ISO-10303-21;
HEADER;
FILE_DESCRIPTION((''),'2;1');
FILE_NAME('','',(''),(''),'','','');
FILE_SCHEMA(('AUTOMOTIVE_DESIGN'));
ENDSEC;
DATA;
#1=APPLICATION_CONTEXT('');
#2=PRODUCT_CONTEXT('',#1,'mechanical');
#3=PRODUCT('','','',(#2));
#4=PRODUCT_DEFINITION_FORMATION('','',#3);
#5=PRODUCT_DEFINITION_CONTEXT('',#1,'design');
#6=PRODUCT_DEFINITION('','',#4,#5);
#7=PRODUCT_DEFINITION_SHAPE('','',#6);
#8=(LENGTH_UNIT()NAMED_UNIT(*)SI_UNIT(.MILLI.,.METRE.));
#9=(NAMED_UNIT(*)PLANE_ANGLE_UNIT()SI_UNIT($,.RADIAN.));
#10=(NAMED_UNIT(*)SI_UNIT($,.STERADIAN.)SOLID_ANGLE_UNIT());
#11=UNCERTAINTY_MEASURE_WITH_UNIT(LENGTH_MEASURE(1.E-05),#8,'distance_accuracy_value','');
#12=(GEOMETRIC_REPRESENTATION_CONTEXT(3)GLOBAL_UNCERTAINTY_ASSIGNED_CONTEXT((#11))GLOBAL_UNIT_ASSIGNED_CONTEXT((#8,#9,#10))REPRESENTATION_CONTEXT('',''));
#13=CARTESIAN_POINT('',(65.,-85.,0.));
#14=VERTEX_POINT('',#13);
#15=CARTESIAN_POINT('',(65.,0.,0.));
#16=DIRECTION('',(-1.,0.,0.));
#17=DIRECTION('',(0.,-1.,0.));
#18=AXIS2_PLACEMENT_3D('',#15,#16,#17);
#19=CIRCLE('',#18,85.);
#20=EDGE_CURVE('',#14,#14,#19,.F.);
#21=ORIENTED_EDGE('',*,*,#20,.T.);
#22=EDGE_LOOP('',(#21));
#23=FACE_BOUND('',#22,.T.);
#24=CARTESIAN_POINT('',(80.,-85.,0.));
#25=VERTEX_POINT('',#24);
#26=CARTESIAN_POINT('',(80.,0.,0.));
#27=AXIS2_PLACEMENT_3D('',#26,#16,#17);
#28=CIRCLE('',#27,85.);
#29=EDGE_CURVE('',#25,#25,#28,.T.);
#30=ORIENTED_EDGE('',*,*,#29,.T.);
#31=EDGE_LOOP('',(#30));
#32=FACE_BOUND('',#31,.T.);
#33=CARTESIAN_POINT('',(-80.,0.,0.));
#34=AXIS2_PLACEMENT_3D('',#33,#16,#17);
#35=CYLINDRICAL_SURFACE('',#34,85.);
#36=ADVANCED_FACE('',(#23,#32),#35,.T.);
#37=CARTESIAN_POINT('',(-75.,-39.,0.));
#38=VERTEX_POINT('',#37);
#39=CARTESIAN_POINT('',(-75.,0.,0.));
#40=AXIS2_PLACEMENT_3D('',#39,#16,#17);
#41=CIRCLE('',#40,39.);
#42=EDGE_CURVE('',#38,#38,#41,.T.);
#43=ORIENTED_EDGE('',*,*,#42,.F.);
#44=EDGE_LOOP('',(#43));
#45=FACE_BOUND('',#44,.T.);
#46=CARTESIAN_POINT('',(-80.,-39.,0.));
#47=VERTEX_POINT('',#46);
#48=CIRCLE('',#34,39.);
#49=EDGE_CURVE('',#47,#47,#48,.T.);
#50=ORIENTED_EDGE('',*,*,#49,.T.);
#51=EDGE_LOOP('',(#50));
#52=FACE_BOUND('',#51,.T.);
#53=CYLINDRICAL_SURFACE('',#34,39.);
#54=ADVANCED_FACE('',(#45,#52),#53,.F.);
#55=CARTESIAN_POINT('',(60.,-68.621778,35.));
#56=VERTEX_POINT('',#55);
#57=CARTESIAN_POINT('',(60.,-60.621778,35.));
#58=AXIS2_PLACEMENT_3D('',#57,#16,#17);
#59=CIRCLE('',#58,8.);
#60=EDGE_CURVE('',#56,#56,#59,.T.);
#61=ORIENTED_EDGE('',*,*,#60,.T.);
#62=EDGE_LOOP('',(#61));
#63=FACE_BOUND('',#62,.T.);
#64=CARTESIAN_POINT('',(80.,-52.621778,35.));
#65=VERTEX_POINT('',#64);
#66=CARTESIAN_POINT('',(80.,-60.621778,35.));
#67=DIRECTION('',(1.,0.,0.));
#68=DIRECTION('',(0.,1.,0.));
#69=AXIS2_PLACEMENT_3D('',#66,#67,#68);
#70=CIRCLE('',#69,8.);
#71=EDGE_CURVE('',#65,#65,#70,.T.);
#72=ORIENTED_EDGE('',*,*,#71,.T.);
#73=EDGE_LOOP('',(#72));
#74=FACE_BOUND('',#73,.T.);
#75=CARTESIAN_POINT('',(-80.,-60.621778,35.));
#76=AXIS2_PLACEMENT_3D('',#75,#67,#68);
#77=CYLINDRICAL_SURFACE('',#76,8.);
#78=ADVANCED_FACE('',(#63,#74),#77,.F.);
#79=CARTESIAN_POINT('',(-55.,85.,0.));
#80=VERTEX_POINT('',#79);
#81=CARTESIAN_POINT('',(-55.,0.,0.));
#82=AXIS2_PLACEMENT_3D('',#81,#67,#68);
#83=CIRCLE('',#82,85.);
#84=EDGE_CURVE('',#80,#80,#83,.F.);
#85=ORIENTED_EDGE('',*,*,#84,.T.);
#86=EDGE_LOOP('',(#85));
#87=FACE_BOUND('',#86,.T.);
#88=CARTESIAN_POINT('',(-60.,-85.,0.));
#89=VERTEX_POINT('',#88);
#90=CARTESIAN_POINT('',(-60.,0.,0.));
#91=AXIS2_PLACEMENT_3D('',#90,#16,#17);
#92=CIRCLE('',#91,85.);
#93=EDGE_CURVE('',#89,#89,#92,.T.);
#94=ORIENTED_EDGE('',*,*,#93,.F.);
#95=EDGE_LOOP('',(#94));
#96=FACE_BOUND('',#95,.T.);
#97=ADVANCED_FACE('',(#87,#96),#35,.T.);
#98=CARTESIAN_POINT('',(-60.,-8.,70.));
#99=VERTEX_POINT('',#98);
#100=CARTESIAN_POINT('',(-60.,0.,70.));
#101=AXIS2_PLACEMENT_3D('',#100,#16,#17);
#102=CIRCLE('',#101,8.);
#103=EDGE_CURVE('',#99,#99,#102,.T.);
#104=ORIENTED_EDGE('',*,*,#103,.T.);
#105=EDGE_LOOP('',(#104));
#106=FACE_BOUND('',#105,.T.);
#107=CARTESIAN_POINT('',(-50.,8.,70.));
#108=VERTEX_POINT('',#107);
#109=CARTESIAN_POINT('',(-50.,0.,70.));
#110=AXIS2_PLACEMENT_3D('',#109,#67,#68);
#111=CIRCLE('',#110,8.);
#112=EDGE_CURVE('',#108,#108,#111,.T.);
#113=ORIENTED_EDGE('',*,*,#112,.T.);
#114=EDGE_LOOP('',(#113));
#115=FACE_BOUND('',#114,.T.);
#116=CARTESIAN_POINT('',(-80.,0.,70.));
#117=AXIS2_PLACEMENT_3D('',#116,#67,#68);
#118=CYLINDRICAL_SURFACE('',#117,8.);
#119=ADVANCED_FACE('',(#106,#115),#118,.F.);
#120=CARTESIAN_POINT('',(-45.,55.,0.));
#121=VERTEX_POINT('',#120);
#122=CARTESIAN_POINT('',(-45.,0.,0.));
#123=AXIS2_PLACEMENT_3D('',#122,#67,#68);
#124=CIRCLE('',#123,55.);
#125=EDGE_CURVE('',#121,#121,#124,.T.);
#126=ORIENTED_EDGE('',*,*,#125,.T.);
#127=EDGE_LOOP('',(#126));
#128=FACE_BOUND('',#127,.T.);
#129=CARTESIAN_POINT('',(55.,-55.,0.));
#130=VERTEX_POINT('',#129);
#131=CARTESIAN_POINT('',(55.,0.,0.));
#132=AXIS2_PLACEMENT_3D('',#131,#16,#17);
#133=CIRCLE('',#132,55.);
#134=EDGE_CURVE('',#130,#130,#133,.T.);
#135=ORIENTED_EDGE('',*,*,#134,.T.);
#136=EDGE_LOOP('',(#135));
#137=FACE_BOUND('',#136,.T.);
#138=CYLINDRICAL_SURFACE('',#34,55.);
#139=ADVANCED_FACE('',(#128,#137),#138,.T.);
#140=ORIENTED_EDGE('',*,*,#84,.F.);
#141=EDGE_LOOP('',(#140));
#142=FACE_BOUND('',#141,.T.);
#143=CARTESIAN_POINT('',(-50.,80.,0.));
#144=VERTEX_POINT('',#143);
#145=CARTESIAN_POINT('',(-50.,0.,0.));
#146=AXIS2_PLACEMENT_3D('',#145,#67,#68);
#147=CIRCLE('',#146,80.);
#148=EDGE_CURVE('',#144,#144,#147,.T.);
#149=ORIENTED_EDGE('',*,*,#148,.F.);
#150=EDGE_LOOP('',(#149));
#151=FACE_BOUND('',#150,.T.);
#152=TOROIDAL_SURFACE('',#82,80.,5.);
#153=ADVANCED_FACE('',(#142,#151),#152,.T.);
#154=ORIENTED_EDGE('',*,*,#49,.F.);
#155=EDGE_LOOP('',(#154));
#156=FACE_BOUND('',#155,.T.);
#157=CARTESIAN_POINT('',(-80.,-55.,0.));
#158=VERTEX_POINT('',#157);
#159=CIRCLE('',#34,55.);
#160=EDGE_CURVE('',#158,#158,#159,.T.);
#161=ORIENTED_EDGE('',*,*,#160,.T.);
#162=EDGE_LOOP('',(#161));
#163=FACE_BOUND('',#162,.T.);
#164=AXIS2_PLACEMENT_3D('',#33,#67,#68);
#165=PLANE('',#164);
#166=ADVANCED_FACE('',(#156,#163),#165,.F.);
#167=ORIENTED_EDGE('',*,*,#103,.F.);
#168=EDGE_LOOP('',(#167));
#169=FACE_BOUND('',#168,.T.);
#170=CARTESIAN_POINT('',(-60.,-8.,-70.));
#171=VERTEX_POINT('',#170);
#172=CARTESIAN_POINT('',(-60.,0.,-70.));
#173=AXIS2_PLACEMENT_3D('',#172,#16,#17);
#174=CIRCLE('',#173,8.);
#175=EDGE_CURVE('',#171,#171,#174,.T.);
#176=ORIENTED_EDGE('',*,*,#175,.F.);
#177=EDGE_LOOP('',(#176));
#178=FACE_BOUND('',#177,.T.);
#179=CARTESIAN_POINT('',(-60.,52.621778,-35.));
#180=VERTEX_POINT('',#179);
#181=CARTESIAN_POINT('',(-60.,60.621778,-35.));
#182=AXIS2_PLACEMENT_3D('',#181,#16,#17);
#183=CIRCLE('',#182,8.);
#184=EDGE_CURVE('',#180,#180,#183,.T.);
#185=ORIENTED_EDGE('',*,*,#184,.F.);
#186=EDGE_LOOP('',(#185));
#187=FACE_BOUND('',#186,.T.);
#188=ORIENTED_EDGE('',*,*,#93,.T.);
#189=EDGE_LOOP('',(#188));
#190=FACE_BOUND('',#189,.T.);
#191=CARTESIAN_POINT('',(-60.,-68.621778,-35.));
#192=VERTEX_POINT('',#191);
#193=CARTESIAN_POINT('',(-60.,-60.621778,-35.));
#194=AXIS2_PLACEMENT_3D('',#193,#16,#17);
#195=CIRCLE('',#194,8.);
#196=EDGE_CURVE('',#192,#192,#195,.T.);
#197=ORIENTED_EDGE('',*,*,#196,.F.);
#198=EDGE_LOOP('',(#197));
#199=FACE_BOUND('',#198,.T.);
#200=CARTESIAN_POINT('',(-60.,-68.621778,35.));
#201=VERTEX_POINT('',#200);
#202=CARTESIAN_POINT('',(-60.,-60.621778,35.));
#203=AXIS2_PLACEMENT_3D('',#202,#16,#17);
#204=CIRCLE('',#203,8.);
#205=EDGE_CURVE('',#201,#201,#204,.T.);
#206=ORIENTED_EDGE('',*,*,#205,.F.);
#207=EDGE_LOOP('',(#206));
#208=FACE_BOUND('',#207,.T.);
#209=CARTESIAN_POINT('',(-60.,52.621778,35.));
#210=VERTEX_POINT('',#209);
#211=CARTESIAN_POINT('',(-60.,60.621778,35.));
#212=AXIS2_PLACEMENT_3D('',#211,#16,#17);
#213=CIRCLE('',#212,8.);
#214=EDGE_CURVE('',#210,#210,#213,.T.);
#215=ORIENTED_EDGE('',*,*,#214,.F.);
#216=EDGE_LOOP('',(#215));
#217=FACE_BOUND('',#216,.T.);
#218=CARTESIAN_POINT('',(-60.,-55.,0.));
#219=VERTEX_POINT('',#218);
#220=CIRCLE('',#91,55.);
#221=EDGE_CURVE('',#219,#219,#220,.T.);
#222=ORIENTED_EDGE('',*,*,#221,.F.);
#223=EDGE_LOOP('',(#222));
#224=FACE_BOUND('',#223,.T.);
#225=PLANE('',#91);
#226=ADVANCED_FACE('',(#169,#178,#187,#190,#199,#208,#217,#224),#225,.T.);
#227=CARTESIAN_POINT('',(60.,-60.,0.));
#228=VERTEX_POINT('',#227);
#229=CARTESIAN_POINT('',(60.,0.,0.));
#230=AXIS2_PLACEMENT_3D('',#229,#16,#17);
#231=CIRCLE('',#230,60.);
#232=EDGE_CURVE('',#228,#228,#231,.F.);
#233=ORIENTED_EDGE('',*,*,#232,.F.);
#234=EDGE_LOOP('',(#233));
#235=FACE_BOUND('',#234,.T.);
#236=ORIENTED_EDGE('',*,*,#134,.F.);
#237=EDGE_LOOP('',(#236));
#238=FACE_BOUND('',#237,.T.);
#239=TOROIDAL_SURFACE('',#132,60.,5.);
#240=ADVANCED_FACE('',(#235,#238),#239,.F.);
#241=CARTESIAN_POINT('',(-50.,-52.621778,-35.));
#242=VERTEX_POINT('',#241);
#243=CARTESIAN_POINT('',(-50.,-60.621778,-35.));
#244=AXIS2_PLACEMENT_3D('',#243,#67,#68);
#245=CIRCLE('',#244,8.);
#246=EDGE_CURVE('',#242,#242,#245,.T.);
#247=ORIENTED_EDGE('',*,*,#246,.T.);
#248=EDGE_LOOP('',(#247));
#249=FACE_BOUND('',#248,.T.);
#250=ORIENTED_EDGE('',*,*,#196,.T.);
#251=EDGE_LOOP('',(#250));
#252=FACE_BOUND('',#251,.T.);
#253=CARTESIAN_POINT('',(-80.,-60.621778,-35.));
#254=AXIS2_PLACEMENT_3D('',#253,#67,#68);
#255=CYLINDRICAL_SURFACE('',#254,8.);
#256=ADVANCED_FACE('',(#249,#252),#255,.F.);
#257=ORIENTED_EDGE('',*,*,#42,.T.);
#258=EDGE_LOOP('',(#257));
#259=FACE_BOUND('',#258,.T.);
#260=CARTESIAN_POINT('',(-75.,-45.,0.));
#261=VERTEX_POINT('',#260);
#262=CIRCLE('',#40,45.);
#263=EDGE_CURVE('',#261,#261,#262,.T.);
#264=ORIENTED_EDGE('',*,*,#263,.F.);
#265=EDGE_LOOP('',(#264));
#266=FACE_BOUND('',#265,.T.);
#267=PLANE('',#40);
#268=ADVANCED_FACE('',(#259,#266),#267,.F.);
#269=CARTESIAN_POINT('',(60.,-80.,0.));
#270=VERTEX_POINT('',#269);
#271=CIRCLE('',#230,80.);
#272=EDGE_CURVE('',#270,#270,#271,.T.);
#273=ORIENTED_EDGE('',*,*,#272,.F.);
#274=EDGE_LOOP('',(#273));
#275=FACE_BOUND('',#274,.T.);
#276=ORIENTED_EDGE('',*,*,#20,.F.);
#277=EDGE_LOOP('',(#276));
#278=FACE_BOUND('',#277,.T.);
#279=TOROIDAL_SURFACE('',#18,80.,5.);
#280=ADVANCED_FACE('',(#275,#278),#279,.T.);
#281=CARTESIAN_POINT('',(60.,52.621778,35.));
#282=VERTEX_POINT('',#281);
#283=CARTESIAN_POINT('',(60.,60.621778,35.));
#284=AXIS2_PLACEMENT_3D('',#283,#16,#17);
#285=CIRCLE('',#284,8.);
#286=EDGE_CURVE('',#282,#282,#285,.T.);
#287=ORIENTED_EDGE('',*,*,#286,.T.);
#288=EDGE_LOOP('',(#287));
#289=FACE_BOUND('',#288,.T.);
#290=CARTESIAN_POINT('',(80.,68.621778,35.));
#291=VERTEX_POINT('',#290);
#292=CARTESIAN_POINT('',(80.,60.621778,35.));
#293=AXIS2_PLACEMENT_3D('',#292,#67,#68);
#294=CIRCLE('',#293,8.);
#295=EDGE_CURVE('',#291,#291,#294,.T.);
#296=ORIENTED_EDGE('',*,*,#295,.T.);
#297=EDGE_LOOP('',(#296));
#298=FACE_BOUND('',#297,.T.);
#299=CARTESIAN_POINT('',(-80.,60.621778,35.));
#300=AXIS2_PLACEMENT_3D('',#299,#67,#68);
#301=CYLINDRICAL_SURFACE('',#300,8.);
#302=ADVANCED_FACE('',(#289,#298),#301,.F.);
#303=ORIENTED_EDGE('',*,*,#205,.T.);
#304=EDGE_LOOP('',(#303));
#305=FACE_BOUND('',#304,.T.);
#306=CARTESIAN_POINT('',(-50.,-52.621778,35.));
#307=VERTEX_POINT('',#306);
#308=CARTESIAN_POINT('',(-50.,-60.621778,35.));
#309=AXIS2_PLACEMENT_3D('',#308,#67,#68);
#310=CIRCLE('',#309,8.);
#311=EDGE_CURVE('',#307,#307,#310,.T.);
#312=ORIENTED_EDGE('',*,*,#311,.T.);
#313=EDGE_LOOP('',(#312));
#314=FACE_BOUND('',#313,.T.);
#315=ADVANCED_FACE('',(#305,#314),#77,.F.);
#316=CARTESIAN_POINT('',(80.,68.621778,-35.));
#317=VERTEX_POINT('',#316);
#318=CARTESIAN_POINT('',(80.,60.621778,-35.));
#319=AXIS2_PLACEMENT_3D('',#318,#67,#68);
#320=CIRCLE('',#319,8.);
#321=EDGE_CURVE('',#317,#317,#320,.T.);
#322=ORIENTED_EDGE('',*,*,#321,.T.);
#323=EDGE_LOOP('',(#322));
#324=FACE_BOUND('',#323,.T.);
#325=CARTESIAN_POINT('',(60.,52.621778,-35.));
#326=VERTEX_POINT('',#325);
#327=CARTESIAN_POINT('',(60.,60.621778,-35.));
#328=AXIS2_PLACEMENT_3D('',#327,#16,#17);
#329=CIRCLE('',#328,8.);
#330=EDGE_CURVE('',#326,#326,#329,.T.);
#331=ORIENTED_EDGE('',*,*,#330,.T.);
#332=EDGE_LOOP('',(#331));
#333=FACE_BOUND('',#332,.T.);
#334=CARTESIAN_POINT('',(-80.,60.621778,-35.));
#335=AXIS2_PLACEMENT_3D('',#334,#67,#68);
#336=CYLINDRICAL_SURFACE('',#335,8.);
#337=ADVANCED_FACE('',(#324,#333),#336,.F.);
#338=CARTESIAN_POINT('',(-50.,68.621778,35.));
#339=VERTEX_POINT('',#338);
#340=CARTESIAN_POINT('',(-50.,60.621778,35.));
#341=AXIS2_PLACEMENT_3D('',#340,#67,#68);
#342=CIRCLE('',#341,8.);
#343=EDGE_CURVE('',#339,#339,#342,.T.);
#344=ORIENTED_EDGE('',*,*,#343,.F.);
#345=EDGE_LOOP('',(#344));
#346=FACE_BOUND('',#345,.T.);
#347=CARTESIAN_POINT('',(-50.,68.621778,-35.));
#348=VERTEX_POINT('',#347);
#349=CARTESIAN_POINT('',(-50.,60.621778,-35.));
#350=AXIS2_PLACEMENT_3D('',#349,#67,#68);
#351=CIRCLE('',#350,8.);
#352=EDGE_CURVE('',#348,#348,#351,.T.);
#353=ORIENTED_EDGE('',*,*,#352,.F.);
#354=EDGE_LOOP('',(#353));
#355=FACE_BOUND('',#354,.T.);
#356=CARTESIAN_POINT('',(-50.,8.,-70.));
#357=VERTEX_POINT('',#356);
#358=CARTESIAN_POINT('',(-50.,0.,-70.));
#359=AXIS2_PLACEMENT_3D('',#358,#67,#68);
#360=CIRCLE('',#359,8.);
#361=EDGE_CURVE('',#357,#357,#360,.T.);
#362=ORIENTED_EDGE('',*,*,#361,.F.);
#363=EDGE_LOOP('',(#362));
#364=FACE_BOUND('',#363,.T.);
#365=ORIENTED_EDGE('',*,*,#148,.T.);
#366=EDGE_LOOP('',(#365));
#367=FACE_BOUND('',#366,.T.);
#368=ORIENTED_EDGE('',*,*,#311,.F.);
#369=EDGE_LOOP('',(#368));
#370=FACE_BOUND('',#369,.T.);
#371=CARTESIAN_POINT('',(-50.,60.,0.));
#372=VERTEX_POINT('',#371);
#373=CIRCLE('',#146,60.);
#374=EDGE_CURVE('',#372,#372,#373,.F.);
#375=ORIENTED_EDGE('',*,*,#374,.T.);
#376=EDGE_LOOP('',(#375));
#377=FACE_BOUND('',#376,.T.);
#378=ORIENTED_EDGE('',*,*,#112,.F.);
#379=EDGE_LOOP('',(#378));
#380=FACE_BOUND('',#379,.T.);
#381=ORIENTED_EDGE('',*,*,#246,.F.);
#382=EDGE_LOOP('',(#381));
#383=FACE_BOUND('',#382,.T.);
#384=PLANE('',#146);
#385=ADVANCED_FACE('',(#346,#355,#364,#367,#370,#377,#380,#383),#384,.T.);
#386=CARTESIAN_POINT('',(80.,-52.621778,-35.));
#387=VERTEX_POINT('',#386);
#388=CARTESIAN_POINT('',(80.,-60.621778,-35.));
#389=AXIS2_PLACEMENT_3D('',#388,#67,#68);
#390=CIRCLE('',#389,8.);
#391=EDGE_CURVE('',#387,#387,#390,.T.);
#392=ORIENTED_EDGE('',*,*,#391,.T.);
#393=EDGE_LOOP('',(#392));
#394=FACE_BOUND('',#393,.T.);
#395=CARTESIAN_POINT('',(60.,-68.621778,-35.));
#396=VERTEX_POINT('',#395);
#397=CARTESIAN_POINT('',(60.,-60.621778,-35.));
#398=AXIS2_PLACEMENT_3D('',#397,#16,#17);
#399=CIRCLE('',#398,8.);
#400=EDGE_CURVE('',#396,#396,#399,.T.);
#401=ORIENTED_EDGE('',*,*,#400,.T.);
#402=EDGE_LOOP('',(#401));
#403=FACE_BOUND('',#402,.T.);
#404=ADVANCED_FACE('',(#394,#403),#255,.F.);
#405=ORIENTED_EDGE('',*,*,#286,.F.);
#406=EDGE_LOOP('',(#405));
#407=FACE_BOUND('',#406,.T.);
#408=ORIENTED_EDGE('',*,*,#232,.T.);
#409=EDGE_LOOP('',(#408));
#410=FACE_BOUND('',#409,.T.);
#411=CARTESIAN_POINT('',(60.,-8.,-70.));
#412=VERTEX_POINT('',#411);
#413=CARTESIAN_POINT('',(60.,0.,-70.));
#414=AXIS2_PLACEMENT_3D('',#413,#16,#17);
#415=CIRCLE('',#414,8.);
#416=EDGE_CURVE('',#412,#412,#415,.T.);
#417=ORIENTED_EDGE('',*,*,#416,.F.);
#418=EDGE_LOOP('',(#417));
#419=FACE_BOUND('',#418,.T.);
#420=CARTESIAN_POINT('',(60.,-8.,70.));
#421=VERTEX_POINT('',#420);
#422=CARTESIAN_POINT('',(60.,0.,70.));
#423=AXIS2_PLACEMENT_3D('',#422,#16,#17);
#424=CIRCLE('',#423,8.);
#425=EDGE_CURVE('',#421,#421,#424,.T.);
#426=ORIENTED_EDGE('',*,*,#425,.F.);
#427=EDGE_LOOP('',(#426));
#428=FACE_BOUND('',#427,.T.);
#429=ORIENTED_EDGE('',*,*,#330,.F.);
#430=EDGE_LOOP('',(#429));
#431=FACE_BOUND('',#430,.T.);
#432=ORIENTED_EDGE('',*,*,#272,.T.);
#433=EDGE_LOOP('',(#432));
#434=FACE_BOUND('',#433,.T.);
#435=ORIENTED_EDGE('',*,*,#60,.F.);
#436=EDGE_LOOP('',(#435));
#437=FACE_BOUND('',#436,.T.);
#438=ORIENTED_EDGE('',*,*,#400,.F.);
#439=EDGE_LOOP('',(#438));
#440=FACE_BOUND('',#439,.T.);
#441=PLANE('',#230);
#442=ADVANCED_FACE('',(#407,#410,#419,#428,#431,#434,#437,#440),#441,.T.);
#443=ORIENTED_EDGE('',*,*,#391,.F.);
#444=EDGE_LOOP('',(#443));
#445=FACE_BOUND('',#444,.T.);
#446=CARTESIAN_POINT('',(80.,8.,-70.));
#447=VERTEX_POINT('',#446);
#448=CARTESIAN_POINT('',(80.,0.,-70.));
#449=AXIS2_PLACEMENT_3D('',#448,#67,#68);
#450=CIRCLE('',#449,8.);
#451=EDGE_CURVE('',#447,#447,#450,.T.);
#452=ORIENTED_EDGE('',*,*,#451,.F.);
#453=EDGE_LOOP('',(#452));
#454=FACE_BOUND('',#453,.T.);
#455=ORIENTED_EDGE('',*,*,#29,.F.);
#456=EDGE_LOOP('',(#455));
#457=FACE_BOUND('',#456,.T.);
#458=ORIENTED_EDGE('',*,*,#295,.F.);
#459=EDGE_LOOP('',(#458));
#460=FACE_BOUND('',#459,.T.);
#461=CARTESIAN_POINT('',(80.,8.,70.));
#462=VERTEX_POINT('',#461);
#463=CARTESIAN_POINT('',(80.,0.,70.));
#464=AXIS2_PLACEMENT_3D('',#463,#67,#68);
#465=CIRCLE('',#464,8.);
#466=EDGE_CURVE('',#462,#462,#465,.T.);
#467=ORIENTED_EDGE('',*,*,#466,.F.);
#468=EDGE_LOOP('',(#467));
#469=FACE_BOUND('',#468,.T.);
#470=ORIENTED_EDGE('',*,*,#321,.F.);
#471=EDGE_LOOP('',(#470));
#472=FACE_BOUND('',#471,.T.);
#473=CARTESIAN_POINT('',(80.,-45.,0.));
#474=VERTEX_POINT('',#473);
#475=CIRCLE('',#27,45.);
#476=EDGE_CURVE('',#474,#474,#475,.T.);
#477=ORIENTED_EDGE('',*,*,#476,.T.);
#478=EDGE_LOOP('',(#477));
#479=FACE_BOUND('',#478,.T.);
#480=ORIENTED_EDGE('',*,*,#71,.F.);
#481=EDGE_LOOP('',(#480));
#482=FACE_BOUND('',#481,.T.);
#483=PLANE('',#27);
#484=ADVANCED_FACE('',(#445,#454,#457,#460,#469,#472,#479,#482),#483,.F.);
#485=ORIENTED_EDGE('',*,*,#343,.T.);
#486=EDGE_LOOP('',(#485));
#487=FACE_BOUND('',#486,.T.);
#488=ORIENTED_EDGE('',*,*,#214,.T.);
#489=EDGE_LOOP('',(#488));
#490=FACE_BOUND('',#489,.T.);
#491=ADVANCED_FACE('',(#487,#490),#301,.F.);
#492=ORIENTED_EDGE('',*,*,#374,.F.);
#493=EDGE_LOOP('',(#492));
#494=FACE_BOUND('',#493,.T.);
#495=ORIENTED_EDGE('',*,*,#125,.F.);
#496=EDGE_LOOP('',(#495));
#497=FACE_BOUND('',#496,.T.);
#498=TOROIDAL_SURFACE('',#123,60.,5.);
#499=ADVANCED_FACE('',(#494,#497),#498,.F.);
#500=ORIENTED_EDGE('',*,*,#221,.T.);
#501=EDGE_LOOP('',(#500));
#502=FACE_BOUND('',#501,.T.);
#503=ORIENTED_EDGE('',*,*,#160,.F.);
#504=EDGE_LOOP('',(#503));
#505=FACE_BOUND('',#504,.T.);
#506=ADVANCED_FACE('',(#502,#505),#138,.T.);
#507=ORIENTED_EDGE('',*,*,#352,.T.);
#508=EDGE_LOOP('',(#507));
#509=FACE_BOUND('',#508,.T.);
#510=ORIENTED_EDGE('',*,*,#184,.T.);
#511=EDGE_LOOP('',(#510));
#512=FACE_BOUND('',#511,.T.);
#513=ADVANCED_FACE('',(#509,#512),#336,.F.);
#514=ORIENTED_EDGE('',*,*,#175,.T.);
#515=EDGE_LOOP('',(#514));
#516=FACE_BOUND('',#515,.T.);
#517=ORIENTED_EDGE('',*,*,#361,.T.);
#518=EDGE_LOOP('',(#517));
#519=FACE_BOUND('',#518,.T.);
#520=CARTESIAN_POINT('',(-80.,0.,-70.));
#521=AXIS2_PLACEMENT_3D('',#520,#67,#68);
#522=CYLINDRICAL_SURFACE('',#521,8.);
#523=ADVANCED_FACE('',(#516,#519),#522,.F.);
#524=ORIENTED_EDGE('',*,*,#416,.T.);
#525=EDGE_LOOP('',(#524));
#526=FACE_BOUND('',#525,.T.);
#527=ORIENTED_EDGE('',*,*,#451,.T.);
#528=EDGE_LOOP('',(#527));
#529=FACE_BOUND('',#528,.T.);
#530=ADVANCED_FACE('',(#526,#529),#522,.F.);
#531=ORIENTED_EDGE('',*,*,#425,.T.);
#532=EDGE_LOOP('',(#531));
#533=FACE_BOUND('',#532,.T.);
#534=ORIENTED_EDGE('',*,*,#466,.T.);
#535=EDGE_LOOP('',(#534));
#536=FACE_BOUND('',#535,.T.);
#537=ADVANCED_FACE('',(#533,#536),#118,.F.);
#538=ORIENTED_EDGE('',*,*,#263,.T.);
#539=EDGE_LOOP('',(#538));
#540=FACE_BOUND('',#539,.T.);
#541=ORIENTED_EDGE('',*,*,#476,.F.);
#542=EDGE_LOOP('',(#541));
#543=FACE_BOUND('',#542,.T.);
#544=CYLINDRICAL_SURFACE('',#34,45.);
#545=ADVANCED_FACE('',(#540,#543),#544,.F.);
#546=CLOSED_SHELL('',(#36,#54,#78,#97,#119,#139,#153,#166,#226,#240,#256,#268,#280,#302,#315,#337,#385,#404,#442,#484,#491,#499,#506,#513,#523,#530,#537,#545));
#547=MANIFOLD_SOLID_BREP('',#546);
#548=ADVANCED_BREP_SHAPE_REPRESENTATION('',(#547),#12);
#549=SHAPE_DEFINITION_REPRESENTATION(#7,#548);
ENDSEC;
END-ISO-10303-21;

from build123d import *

# Parameters (mm, degrees)
FILLET1_R               = 5
CUT_EXTRUDE1_DEPTH      = 178.059312144
CUT_EXTRUDE1_DEPTH_BACK = 178.059312144
SKETCH2_R               = 8


with BuildPart() as part:
    # Sketch1 → Revolve1 (revolve)
    with BuildSketch(Plane.XY, mode=Mode.PRIVATE) as revolve1_sk:
        Polygon((-80, 55), (-80, 50), (-80, 39), (-75, 39), (-75, 45), (80, 45), (80, 85), (60, 85), (60, 55), (-50, 55), (-50, 85), (-60, 85), (-60, 55), align=None)
    revolve(revolve1_sk.sketch.rotate(Axis((-80, 0, 0), (1, 0, 0)), 180), axis=Axis((-80, 0, 0), (1, 0, 0)))

    # Fillet1
    fillet1_edges = [part.edges().sort_by_distance(p)[0] for p in [
        (-50, 85, 0),
        (-50, 55, 0),
        (60, 55, 0),
        (60, 85, 0),
    ]]
    fillet(fillet1_edges, radius=FILLET1_R)

    # Sketch2 → Cut-Extrude1 (cut, two sides: drawn at the far end of the back side and taken through both)
    with BuildSketch(Plane(origin=(-50, 0, 0), x_dir=(0, 0, -1), z_dir=(1, 0, 0)).offset(-CUT_EXTRUDE1_DEPTH_BACK)):
        with Locations(Location((70, 0, 0), (0, 0, 90))):
            Circle(SKETCH2_R)
        with Locations(Location((35, -60.621778265, 0), (0, 0, 90))):
            Circle(SKETCH2_R)
        with Locations(Location((-35, -60.621778265, 0), (0, 0, 90))):
            Circle(SKETCH2_R)
        with Locations(Location((-70, 0, 0), (0, 0, 90))):
            Circle(SKETCH2_R)
        with Locations(Location((-35, 60.621778265, 0), (0, 0, 90))):
            Circle(SKETCH2_R)
        with Locations(Location((35, 60.621778265, 0), (0, 0, 90))):
            Circle(SKETCH2_R)
    extrude(amount=CUT_EXTRUDE1_DEPTH + CUT_EXTRUDE1_DEPTH_BACK, mode=Mode.SUBTRACT)


solid = part.part
